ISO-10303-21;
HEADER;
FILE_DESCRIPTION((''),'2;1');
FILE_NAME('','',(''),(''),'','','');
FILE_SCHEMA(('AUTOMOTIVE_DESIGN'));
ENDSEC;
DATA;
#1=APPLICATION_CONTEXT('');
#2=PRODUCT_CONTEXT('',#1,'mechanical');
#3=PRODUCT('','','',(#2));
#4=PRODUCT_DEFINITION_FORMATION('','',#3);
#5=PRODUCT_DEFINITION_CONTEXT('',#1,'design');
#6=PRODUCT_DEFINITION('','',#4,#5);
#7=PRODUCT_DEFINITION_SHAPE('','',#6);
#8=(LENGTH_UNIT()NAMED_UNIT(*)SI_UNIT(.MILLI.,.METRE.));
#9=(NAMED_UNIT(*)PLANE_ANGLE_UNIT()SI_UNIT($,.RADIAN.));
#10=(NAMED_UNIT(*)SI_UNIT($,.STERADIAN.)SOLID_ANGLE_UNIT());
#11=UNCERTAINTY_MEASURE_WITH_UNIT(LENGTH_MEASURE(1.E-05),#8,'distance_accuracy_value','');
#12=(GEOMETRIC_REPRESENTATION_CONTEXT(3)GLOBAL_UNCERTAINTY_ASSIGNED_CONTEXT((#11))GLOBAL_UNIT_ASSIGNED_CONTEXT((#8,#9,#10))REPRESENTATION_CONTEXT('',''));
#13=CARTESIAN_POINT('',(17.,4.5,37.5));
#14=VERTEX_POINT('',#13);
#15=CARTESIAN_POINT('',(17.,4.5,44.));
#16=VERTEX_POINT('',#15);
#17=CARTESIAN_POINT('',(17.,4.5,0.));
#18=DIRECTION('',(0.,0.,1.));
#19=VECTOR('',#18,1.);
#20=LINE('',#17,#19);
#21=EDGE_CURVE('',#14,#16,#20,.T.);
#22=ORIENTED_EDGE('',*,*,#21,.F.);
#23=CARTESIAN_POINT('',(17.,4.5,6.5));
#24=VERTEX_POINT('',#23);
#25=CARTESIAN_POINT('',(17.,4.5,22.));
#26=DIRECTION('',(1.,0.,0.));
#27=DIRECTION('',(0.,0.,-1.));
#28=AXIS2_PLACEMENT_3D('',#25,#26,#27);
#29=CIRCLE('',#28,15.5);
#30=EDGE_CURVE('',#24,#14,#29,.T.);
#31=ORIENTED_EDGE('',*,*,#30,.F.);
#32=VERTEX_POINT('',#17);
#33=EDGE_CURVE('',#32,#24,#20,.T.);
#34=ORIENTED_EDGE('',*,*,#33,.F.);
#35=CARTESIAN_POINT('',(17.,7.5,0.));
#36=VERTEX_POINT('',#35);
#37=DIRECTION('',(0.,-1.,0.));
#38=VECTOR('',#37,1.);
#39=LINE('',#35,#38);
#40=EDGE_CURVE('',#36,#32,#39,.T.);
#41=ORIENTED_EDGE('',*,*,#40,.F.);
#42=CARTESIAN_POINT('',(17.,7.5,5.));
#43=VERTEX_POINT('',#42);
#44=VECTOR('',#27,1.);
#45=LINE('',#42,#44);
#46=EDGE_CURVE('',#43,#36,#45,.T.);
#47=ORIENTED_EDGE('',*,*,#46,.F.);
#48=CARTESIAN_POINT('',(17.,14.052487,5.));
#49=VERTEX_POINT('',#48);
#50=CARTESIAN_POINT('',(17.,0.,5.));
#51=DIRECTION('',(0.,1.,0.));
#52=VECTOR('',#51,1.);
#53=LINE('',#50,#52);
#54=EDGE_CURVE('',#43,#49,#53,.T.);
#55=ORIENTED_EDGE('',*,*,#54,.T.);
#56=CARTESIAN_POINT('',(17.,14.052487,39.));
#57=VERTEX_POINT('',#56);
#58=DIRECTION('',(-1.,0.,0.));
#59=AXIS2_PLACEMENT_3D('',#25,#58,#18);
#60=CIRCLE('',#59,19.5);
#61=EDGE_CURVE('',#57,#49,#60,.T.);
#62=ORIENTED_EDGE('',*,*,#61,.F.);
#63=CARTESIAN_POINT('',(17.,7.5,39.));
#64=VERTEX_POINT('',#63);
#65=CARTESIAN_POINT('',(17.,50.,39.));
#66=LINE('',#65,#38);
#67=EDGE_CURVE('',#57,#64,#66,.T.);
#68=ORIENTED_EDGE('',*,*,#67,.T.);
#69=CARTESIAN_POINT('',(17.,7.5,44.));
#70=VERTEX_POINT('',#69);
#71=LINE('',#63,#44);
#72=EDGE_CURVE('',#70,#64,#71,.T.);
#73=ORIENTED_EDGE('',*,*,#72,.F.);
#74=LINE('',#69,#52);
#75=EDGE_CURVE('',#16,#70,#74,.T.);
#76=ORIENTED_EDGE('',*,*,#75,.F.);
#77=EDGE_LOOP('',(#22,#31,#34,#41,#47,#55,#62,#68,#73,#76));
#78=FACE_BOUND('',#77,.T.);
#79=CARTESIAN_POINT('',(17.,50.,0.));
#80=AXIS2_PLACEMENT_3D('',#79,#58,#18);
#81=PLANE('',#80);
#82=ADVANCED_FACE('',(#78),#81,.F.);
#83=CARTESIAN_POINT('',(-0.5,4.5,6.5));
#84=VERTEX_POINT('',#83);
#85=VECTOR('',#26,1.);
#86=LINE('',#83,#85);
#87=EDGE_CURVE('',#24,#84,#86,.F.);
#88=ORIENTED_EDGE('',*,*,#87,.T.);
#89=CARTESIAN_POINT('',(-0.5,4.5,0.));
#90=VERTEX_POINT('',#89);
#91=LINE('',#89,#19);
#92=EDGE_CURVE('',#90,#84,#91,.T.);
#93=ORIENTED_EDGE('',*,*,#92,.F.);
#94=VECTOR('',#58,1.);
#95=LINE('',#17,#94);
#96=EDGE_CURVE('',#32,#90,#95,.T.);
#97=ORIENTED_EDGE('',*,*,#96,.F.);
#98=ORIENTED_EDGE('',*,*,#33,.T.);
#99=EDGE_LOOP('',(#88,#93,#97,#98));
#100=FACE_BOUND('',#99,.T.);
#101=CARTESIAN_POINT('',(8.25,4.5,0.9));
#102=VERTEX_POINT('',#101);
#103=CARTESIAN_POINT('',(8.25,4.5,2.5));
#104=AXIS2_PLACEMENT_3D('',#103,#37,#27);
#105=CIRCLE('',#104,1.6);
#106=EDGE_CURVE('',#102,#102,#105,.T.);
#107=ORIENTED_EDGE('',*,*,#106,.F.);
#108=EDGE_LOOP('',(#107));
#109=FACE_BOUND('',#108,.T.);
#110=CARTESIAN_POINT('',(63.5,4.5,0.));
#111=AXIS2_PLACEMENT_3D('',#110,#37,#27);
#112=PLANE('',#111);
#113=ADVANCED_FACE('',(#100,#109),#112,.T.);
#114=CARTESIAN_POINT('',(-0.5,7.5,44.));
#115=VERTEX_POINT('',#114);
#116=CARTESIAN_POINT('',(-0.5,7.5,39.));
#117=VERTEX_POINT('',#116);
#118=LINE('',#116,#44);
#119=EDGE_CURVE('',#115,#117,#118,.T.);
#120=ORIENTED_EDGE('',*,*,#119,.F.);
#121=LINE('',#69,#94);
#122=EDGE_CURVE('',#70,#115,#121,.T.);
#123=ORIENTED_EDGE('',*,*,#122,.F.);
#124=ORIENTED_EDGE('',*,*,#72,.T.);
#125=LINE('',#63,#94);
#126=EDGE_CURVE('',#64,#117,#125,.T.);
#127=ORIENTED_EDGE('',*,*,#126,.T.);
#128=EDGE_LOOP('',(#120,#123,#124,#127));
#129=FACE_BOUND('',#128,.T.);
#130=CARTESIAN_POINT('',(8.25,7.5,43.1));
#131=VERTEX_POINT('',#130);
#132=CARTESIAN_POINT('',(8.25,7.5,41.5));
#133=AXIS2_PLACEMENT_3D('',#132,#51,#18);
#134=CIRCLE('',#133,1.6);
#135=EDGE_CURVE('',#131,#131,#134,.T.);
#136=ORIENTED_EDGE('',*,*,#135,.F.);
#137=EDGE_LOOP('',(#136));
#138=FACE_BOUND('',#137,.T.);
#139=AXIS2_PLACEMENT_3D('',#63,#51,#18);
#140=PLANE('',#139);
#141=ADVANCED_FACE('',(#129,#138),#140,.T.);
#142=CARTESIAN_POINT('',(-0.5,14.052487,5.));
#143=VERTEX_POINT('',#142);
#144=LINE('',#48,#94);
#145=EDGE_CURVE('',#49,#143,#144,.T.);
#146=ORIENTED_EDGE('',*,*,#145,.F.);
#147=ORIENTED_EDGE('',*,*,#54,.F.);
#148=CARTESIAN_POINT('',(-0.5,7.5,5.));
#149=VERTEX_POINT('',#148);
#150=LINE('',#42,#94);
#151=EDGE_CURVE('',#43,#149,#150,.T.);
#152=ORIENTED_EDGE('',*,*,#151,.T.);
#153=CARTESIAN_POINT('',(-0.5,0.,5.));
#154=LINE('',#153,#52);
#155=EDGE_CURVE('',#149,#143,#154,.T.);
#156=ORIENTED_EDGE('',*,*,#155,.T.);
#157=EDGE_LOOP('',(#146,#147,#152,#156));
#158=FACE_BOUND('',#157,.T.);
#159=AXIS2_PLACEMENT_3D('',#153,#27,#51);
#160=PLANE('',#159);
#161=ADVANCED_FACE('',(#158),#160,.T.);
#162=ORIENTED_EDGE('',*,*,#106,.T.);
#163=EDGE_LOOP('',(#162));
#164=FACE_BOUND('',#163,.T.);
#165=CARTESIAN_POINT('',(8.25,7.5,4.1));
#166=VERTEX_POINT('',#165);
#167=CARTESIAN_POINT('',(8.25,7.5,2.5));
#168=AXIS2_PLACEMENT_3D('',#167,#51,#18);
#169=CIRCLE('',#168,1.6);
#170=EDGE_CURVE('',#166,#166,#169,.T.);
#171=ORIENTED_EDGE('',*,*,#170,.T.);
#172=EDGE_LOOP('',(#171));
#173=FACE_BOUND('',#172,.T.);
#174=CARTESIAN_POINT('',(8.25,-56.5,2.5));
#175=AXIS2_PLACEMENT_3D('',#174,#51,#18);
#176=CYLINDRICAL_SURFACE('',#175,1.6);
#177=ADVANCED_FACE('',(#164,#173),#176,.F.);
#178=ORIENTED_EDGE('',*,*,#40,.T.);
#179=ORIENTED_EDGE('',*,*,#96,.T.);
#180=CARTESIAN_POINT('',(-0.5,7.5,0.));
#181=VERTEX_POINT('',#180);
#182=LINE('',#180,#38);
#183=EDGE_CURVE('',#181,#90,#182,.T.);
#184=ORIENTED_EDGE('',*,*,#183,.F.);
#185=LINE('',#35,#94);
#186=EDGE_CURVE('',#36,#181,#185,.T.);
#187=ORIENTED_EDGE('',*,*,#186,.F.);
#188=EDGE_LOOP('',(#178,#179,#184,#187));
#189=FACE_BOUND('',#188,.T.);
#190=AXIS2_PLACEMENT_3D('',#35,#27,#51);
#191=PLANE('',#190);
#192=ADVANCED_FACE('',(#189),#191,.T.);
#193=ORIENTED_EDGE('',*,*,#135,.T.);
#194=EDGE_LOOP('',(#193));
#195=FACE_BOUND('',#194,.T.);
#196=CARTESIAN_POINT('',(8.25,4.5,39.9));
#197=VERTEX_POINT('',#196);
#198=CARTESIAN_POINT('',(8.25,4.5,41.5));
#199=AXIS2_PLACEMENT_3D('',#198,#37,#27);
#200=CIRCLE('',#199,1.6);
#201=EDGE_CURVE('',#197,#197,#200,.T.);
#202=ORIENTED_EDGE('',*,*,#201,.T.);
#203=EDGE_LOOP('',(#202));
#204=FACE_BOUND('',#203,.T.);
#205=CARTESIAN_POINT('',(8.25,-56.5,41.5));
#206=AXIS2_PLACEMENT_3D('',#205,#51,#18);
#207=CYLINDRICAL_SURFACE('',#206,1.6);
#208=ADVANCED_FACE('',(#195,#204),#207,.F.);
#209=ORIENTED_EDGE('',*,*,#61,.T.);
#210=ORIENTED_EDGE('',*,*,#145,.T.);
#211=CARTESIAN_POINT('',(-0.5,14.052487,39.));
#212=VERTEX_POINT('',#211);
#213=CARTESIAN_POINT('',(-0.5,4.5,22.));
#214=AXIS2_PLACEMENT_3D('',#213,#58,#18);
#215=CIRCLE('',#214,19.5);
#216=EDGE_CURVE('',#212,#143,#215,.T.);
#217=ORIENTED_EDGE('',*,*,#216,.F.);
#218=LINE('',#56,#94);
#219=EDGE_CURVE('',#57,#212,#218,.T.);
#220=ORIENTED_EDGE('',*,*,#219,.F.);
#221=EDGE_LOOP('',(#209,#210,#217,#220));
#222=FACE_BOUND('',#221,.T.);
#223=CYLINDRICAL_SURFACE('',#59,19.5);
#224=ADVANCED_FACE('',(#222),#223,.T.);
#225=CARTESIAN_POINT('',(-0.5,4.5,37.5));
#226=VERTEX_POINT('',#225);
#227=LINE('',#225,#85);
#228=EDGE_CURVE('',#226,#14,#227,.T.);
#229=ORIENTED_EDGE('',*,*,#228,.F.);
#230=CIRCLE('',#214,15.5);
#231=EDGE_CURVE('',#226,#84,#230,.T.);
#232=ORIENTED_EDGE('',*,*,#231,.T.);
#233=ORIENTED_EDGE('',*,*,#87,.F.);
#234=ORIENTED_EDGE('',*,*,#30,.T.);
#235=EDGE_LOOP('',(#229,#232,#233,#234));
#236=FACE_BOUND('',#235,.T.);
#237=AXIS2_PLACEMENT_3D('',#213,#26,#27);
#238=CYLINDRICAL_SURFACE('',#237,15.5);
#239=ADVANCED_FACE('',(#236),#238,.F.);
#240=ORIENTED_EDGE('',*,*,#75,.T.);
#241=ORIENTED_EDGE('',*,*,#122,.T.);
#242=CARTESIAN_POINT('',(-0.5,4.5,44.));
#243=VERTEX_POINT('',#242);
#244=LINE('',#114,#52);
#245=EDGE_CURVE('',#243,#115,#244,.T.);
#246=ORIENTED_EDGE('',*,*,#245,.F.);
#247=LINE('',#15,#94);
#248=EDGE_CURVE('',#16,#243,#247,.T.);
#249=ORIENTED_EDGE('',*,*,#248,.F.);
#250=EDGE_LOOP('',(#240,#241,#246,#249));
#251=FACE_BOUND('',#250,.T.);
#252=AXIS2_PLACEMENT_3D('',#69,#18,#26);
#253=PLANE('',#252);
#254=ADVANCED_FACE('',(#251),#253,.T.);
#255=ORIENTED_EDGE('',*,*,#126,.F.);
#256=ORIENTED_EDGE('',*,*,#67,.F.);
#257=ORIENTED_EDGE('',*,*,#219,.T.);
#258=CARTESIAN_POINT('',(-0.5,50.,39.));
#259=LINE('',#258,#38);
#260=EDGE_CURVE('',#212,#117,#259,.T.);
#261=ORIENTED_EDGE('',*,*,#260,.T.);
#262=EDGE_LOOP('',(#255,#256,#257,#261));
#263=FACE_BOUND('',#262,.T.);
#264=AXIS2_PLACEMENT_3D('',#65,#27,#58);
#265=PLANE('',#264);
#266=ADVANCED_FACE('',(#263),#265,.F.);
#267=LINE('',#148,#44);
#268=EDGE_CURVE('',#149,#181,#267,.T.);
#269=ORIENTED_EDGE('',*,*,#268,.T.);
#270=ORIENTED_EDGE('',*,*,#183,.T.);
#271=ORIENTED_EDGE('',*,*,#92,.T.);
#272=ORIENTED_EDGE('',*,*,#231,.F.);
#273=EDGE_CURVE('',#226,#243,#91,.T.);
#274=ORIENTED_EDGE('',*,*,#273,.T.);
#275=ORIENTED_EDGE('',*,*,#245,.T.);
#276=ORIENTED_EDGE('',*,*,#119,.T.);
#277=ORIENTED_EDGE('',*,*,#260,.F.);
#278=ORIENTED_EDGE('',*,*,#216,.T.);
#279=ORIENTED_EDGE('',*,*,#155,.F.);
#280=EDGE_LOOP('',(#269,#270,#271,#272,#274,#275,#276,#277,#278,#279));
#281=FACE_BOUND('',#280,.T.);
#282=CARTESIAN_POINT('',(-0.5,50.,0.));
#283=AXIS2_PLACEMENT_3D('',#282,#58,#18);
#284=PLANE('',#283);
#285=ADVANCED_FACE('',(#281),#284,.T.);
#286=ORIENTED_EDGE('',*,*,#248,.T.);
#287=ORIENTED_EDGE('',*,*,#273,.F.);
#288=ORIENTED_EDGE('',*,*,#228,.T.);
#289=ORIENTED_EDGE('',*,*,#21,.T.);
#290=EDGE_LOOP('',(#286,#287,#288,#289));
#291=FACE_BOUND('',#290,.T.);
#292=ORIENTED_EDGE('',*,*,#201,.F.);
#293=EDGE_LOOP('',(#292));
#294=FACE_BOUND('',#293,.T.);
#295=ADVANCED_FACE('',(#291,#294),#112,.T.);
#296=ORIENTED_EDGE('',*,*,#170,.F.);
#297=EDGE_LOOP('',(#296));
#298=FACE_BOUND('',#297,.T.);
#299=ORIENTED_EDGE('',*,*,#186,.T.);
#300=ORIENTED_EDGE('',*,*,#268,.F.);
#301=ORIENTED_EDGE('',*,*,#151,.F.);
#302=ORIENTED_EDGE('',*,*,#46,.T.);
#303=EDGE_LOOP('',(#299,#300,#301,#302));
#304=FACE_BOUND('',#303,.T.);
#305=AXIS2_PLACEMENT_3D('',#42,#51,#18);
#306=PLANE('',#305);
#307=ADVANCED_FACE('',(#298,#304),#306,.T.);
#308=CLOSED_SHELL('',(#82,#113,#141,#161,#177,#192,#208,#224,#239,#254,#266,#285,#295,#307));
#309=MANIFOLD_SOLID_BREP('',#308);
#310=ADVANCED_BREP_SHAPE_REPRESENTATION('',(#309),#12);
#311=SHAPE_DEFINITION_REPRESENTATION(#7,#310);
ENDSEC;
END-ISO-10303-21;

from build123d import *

# Parameters (mm, degrees)
SKETCH_1_W               = 17
SKETCH_1_H               = 40
EXTRUDE_1_DEPTH          = 50
SKETCH_2_W               = 17
SKETCH_2_H               = 1
CUT_EXTRUDE_1_DEPTH      = 67.2495283
SKETCH_4_W               = 0.5
SKETCH_4_H               = 39
EXTRUDE_2_DEPTH          = 50
SKETCH_5_R               = 15.5
CUT_EXTRUDE_2_DEPTH      = 17.5
CUT_EXTRUDE_3_DEPTH      = 17.5
CUT_EXTRUDE_4_DEPTH      = 3
CUT_EXTRUDE_START        = -64
CUT_EXTRUDE_7_DEPTH      = 64
SKETCH_9_W               = 5
SKETCH_9_H               = 3
EXTRUDE_3_DEPTH          = 17.5
CUT_EXTRUDE_8_DEPTH      = 54.087192429
CUT_EXTRUDE_8_DEPTH_BACK = 54.087192429
CUT_EXTRUDE_9_DEPTH      = 64


with BuildPart() as part:
    # 草图1 → 凸台-拉伸1 (new body)
    with BuildSketch(Plane(origin=(0, 0, 0), x_dir=(1, 0, 0), z_dir=(0, 1, 0))):
        with Locations((8.5, -20)):
            Rectangle(SKETCH_1_W, SKETCH_1_H)
    extrude(amount=EXTRUDE_1_DEPTH)

    # 草图2 → 切除-拉伸1 (cut, through all)
    with BuildSketch(Plane.XZ):
        with Locations((8.5, 39.5)):
            Rectangle(SKETCH_2_W, SKETCH_2_H)
    extrude(amount=-CUT_EXTRUDE_1_DEPTH, mode=Mode.SUBTRACT)

    # 草图4 → 凸台-拉伸2 (add)
    with BuildSketch(Plane.XZ):
        with Locations((-0.25, 19.5)):
            Rectangle(SKETCH_4_W, SKETCH_4_H)
    extrude(amount=-EXTRUDE_2_DEPTH)

    # 草图5 → 切除-拉伸2 (cut)
    with BuildSketch(Plane(origin=(17, 0, 0), x_dir=(0, 0, -1), z_dir=(1, 0, 0))):
        with Locations((-22, 4.5)):
            Circle(SKETCH_5_R)
    extrude(amount=-CUT_EXTRUDE_2_DEPTH, mode=Mode.SUBTRACT)

    # 草图6 → 切除-拉伸3 (cut)
    with BuildSketch(Plane(origin=(17, 0, 0), x_dir=(0, 0, -1), z_dir=(1, 0, 0))):
        Polygon((0, 3), (0, 24), (0, 50), (-39, 50), (-39, 24), (-22, 24), (-5, 24), (-5, 3), align=None)
    extrude(amount=-CUT_EXTRUDE_3_DEPTH, mode=Mode.SUBTRACT)

    # 草图7 → 切除-拉伸4 (cut)
    with BuildSketch(Plane(origin=(0, 3, 0), x_dir=(1, 0, 0), z_dir=(0, 1, 0))):
        with BuildLine():
            ThreePointArc((8.25, -0.9), (6.65, -2.5), (8.25, -4.1))
            Line((8.25, -4.1), (8.25, -0.9))
        make_face()
        with BuildLine():
            Line((8.25, -0.9), (8.25, -4.1))
            ThreePointArc((8.25, -4.1), (9.38137085, -3.63137085), (9.85, -2.5))
            ThreePointArc((9.85, -2.5), (9.38137085, -1.36862915), (8.25, -0.9))
        make_face()
    extrude(amount=-CUT_EXTRUDE_4_DEPTH, mode=Mode.SUBTRACT)

    # 草图8 → 切除-拉伸7 (cut)
    with BuildSketch(Plane.ZY.offset(0.5).offset(CUT_EXTRUDE_START)):
        with BuildLine():
            Line((5, 3), (5, 4.5))
            Line((5, 4.5), (-8.613521725, 4.5))
            Line((-8.613521725, 4.5), (17.256515703, -28.446816898))
            Line((17.256515703, -28.446816898), (39, 0))
            Line((39, 0), (36.832396974, 0))
            ThreePointArc((36.832396974, 0), (22, -11), (7.167603026, 0))
            Line((7.167603026, 0), (0, 0))
            Line((0, 0), (0, 3))
            Line((0, 3), (5, 3))
        make_face()
        with BuildLine():
            ThreePointArc((7.167603026, 0), (6.667809141, 2.225373998), (6.5, 4.5))
            Line((6.5, 4.5), (5, 4.5))
            Line((5, 4.5), (5, 3))
            Line((5, 3), (0, 3))
            Line((0, 3), (0, 0))
            Line((0, 0), (7.167603026, 0))
        make_face()
        with BuildLine():
            Line((37.5, 4.5), (22, 4.5))
            Line((22, 4.5), (6.5, 4.5))
            ThreePointArc((6.5, 4.5), (6.667809141, 2.225373998), (7.167603026, 0))
            ThreePointArc((7.167603026, 0), (22, -11), (36.832396974, 0))
            ThreePointArc((36.832396974, 0), (37.332190859, 2.225373998), (37.5, 4.5))
        make_face()
        with BuildLine():
            Line((6.5, 4.5), (22, 4.5))
            Line((22, 4.5), (37.5, 4.5))
            ThreePointArc((37.5, 4.5), (22, 20), (6.5, 4.5))
        make_face()
        with BuildLine():
            Line((39, 4.5), (37.5, 4.5))
            ThreePointArc((37.5, 4.5), (37.332190859, 2.225373998), (36.832396974, 0))
            Line((36.832396974, 0), (39, 0))
            Line((39, 0), (39, 4.5))
        make_face()
    extrude(amount=CUT_EXTRUDE_7_DEPTH, mode=Mode.SUBTRACT)

    # 草图9 → 凸台-拉伸3 (add)
    with BuildSketch(Plane.ZY.offset(0.5)):
        with Locations((2.5, 6)):
            Rectangle(SKETCH_9_W, SKETCH_9_H)
        with Locations((41.5, 6)):
            Rectangle(SKETCH_9_W, SKETCH_9_H)
    extrude(amount=-EXTRUDE_3_DEPTH)

    # 草图10 → 切除-拉伸8 (cut, two sides: drawn at the far end of the back side and taken through both)
    with BuildSketch(Plane.ZY.offset(0.5).offset(-CUT_EXTRUDE_8_DEPTH_BACK)):
        with BuildLine():
            Line((5, 24), (5, 14.052486587))
            ThreePointArc((5, 14.052486587), (12.151738439, 21.330381583), (22, 24))
            Line((22, 24), (5, 24))
        make_face()
        with BuildLine():
            Line((39, 24), (22, 24))
            ThreePointArc((22, 24), (31.848261561, 21.330381583), (39, 14.052486587))
            Line((39, 14.052486587), (39, 24))
        make_face()
    extrude(amount=CUT_EXTRUDE_8_DEPTH + CUT_EXTRUDE_8_DEPTH_BACK, mode=Mode.SUBTRACT)

    # 草图11 → 切除-拉伸9 (cut)
    with BuildSketch(Plane(origin=(0, 7.5, 0), x_dir=(1, 0, 0), z_dir=(0, 1, 0))):
        with BuildLine():
            ThreePointArc((8.25, -0.9), (6.65, -2.5), (8.25, -4.1))
            Line((8.25, -4.1), (8.25, -0.9))
        make_face()
        with BuildLine():
            Line((8.25, -0.9), (8.25, -4.1))
            ThreePointArc((8.25, -4.1), (9.38137085, -3.63137085), (9.85, -2.5))
            ThreePointArc((9.85, -2.5), (9.38137085, -1.36862915), (8.25, -0.9))
        make_face()
        with BuildLine():
            ThreePointArc((9.85, -41.5), (9.38137085, -40.36862915), (8.25, -39.9))
            Line((8.25, -39.9), (8.25, -43.1))
            ThreePointArc((8.25, -43.1), (9.38137085, -42.63137085), (9.85, -41.5))
        make_face()
        with BuildLine():
            Line((8.25, -43.1), (8.25, -39.9))
            ThreePointArc((8.25, -39.9), (6.65, -41.5), (8.25, -43.1))
        make_face()
    extrude(amount=-CUT_EXTRUDE_9_DEPTH, mode=Mode.SUBTRACT)


solid = part.part
